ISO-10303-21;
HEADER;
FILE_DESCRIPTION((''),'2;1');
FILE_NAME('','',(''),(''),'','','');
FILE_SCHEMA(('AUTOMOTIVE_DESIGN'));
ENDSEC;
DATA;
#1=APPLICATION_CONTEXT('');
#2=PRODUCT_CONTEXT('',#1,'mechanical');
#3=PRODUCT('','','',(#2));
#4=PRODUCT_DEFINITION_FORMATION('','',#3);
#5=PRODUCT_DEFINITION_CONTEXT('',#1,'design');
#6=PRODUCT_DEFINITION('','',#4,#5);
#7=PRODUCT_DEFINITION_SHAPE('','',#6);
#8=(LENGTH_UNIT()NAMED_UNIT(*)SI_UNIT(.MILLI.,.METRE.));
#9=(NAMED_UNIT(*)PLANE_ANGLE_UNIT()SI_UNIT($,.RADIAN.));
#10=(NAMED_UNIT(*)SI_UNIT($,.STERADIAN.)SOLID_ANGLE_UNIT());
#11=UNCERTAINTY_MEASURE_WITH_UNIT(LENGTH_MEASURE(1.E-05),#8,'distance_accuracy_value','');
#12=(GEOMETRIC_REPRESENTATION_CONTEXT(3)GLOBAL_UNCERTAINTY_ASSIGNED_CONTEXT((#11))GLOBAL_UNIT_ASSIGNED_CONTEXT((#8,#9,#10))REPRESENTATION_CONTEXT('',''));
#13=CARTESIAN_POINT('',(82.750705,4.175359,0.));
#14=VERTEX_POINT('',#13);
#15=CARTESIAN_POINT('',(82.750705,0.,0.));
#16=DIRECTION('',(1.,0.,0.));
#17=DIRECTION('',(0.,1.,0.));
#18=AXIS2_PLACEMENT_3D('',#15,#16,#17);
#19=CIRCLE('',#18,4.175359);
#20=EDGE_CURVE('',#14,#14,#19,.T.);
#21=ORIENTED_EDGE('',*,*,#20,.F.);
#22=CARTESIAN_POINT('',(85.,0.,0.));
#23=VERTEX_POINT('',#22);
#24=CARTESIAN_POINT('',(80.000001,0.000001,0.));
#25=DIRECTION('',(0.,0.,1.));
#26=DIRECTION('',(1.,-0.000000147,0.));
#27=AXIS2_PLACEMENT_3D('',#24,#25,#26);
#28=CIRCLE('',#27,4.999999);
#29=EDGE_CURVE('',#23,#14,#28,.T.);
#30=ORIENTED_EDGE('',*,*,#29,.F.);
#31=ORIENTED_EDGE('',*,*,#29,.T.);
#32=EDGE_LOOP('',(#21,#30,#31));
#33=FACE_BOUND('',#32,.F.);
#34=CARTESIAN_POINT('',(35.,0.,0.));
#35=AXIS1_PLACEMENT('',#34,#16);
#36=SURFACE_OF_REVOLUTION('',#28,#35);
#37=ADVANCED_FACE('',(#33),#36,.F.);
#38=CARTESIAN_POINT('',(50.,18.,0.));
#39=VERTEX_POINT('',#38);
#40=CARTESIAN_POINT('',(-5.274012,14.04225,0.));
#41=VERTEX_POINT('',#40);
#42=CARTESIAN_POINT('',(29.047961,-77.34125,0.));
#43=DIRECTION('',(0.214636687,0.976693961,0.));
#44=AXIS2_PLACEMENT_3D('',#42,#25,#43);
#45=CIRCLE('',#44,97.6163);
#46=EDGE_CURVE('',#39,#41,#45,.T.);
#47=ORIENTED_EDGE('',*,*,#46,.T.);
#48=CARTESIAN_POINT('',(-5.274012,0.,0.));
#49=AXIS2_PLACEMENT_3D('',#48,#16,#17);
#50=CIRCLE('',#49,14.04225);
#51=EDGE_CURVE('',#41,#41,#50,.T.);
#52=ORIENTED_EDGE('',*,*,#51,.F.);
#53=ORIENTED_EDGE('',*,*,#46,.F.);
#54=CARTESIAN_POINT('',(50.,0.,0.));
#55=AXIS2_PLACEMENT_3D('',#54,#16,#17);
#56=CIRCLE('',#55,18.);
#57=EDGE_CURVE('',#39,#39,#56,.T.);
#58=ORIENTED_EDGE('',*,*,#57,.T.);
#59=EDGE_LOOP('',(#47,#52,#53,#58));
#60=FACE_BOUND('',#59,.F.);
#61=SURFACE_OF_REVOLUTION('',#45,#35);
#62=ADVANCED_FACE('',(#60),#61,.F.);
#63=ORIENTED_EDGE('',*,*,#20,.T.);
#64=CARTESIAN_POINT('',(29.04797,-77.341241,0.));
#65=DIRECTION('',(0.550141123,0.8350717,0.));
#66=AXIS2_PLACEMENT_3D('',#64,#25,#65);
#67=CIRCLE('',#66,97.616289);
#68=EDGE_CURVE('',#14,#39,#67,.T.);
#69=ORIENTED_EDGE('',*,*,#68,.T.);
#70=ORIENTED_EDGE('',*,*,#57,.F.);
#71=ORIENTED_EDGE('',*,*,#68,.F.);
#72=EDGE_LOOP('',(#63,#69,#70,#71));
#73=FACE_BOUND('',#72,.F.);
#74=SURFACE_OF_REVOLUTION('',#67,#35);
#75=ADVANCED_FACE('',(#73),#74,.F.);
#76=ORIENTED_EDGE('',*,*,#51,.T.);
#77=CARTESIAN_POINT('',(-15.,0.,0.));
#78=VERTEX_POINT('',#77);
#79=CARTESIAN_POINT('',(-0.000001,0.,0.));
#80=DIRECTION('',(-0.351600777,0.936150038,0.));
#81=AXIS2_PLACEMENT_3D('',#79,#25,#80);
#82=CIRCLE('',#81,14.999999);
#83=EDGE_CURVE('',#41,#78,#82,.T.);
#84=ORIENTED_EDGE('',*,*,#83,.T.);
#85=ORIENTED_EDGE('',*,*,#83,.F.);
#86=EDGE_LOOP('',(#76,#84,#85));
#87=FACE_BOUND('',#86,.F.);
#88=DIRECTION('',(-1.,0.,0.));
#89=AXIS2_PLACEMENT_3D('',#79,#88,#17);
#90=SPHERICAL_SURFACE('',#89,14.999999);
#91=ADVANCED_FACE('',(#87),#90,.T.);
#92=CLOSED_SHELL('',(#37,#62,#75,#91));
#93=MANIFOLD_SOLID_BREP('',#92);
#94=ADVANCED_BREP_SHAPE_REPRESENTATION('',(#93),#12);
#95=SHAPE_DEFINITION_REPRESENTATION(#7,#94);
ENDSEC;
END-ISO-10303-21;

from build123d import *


with BuildPart() as f1:
    # F0 (on Top) → F1 (revolve)
    with BuildSketch(Plane.XY):
        with BuildLine():
            Line((0, 0), (15, 0))
            ThreePointArc((15, 0), (8.540779, 12.331062), (-5.274012, 14.04225))
            ThreePointArc((-5.274012, 14.04225), (-12.331062, 8.540779), (-15, 0))
            Line((-15, 0), (0, 0))
        make_face()
        with BuildLine():
            ThreePointArc((-5.274012, 14.04225), (8.540779, 12.331062), (15, 0))
            Line((15, 0), (50, 0))
            Line((50, 0), (50, 18))
            ThreePointArc((50, 18), (22.076252, 20.025773), (-5.274012, 14.04225))
        make_face()
        with BuildLine():
            Line((50, 18), (50, 0))
            Line((50, 0), (75, 0))
            ThreePointArc((75, 0), (77.628664, 4.401905), (82.750705, 4.175359))
            ThreePointArc((82.750705, 4.175359), (67.009973, 12.591101), (50, 18))
        make_face()
        with BuildLine():
            ThreePointArc((82.750705, 4.175359), (77.628664, 4.401905), (75, 0))
            Line((75, 0), (80, 0))
            Line((80, 0), (85, 0))
            ThreePointArc((85, 0), (84.401905, 2.371336), (82.750705, 4.175359))
        make_face()
    revolve(axis=Axis((35, 0, 0), (1, 0, 0)))


solid = f1.part
